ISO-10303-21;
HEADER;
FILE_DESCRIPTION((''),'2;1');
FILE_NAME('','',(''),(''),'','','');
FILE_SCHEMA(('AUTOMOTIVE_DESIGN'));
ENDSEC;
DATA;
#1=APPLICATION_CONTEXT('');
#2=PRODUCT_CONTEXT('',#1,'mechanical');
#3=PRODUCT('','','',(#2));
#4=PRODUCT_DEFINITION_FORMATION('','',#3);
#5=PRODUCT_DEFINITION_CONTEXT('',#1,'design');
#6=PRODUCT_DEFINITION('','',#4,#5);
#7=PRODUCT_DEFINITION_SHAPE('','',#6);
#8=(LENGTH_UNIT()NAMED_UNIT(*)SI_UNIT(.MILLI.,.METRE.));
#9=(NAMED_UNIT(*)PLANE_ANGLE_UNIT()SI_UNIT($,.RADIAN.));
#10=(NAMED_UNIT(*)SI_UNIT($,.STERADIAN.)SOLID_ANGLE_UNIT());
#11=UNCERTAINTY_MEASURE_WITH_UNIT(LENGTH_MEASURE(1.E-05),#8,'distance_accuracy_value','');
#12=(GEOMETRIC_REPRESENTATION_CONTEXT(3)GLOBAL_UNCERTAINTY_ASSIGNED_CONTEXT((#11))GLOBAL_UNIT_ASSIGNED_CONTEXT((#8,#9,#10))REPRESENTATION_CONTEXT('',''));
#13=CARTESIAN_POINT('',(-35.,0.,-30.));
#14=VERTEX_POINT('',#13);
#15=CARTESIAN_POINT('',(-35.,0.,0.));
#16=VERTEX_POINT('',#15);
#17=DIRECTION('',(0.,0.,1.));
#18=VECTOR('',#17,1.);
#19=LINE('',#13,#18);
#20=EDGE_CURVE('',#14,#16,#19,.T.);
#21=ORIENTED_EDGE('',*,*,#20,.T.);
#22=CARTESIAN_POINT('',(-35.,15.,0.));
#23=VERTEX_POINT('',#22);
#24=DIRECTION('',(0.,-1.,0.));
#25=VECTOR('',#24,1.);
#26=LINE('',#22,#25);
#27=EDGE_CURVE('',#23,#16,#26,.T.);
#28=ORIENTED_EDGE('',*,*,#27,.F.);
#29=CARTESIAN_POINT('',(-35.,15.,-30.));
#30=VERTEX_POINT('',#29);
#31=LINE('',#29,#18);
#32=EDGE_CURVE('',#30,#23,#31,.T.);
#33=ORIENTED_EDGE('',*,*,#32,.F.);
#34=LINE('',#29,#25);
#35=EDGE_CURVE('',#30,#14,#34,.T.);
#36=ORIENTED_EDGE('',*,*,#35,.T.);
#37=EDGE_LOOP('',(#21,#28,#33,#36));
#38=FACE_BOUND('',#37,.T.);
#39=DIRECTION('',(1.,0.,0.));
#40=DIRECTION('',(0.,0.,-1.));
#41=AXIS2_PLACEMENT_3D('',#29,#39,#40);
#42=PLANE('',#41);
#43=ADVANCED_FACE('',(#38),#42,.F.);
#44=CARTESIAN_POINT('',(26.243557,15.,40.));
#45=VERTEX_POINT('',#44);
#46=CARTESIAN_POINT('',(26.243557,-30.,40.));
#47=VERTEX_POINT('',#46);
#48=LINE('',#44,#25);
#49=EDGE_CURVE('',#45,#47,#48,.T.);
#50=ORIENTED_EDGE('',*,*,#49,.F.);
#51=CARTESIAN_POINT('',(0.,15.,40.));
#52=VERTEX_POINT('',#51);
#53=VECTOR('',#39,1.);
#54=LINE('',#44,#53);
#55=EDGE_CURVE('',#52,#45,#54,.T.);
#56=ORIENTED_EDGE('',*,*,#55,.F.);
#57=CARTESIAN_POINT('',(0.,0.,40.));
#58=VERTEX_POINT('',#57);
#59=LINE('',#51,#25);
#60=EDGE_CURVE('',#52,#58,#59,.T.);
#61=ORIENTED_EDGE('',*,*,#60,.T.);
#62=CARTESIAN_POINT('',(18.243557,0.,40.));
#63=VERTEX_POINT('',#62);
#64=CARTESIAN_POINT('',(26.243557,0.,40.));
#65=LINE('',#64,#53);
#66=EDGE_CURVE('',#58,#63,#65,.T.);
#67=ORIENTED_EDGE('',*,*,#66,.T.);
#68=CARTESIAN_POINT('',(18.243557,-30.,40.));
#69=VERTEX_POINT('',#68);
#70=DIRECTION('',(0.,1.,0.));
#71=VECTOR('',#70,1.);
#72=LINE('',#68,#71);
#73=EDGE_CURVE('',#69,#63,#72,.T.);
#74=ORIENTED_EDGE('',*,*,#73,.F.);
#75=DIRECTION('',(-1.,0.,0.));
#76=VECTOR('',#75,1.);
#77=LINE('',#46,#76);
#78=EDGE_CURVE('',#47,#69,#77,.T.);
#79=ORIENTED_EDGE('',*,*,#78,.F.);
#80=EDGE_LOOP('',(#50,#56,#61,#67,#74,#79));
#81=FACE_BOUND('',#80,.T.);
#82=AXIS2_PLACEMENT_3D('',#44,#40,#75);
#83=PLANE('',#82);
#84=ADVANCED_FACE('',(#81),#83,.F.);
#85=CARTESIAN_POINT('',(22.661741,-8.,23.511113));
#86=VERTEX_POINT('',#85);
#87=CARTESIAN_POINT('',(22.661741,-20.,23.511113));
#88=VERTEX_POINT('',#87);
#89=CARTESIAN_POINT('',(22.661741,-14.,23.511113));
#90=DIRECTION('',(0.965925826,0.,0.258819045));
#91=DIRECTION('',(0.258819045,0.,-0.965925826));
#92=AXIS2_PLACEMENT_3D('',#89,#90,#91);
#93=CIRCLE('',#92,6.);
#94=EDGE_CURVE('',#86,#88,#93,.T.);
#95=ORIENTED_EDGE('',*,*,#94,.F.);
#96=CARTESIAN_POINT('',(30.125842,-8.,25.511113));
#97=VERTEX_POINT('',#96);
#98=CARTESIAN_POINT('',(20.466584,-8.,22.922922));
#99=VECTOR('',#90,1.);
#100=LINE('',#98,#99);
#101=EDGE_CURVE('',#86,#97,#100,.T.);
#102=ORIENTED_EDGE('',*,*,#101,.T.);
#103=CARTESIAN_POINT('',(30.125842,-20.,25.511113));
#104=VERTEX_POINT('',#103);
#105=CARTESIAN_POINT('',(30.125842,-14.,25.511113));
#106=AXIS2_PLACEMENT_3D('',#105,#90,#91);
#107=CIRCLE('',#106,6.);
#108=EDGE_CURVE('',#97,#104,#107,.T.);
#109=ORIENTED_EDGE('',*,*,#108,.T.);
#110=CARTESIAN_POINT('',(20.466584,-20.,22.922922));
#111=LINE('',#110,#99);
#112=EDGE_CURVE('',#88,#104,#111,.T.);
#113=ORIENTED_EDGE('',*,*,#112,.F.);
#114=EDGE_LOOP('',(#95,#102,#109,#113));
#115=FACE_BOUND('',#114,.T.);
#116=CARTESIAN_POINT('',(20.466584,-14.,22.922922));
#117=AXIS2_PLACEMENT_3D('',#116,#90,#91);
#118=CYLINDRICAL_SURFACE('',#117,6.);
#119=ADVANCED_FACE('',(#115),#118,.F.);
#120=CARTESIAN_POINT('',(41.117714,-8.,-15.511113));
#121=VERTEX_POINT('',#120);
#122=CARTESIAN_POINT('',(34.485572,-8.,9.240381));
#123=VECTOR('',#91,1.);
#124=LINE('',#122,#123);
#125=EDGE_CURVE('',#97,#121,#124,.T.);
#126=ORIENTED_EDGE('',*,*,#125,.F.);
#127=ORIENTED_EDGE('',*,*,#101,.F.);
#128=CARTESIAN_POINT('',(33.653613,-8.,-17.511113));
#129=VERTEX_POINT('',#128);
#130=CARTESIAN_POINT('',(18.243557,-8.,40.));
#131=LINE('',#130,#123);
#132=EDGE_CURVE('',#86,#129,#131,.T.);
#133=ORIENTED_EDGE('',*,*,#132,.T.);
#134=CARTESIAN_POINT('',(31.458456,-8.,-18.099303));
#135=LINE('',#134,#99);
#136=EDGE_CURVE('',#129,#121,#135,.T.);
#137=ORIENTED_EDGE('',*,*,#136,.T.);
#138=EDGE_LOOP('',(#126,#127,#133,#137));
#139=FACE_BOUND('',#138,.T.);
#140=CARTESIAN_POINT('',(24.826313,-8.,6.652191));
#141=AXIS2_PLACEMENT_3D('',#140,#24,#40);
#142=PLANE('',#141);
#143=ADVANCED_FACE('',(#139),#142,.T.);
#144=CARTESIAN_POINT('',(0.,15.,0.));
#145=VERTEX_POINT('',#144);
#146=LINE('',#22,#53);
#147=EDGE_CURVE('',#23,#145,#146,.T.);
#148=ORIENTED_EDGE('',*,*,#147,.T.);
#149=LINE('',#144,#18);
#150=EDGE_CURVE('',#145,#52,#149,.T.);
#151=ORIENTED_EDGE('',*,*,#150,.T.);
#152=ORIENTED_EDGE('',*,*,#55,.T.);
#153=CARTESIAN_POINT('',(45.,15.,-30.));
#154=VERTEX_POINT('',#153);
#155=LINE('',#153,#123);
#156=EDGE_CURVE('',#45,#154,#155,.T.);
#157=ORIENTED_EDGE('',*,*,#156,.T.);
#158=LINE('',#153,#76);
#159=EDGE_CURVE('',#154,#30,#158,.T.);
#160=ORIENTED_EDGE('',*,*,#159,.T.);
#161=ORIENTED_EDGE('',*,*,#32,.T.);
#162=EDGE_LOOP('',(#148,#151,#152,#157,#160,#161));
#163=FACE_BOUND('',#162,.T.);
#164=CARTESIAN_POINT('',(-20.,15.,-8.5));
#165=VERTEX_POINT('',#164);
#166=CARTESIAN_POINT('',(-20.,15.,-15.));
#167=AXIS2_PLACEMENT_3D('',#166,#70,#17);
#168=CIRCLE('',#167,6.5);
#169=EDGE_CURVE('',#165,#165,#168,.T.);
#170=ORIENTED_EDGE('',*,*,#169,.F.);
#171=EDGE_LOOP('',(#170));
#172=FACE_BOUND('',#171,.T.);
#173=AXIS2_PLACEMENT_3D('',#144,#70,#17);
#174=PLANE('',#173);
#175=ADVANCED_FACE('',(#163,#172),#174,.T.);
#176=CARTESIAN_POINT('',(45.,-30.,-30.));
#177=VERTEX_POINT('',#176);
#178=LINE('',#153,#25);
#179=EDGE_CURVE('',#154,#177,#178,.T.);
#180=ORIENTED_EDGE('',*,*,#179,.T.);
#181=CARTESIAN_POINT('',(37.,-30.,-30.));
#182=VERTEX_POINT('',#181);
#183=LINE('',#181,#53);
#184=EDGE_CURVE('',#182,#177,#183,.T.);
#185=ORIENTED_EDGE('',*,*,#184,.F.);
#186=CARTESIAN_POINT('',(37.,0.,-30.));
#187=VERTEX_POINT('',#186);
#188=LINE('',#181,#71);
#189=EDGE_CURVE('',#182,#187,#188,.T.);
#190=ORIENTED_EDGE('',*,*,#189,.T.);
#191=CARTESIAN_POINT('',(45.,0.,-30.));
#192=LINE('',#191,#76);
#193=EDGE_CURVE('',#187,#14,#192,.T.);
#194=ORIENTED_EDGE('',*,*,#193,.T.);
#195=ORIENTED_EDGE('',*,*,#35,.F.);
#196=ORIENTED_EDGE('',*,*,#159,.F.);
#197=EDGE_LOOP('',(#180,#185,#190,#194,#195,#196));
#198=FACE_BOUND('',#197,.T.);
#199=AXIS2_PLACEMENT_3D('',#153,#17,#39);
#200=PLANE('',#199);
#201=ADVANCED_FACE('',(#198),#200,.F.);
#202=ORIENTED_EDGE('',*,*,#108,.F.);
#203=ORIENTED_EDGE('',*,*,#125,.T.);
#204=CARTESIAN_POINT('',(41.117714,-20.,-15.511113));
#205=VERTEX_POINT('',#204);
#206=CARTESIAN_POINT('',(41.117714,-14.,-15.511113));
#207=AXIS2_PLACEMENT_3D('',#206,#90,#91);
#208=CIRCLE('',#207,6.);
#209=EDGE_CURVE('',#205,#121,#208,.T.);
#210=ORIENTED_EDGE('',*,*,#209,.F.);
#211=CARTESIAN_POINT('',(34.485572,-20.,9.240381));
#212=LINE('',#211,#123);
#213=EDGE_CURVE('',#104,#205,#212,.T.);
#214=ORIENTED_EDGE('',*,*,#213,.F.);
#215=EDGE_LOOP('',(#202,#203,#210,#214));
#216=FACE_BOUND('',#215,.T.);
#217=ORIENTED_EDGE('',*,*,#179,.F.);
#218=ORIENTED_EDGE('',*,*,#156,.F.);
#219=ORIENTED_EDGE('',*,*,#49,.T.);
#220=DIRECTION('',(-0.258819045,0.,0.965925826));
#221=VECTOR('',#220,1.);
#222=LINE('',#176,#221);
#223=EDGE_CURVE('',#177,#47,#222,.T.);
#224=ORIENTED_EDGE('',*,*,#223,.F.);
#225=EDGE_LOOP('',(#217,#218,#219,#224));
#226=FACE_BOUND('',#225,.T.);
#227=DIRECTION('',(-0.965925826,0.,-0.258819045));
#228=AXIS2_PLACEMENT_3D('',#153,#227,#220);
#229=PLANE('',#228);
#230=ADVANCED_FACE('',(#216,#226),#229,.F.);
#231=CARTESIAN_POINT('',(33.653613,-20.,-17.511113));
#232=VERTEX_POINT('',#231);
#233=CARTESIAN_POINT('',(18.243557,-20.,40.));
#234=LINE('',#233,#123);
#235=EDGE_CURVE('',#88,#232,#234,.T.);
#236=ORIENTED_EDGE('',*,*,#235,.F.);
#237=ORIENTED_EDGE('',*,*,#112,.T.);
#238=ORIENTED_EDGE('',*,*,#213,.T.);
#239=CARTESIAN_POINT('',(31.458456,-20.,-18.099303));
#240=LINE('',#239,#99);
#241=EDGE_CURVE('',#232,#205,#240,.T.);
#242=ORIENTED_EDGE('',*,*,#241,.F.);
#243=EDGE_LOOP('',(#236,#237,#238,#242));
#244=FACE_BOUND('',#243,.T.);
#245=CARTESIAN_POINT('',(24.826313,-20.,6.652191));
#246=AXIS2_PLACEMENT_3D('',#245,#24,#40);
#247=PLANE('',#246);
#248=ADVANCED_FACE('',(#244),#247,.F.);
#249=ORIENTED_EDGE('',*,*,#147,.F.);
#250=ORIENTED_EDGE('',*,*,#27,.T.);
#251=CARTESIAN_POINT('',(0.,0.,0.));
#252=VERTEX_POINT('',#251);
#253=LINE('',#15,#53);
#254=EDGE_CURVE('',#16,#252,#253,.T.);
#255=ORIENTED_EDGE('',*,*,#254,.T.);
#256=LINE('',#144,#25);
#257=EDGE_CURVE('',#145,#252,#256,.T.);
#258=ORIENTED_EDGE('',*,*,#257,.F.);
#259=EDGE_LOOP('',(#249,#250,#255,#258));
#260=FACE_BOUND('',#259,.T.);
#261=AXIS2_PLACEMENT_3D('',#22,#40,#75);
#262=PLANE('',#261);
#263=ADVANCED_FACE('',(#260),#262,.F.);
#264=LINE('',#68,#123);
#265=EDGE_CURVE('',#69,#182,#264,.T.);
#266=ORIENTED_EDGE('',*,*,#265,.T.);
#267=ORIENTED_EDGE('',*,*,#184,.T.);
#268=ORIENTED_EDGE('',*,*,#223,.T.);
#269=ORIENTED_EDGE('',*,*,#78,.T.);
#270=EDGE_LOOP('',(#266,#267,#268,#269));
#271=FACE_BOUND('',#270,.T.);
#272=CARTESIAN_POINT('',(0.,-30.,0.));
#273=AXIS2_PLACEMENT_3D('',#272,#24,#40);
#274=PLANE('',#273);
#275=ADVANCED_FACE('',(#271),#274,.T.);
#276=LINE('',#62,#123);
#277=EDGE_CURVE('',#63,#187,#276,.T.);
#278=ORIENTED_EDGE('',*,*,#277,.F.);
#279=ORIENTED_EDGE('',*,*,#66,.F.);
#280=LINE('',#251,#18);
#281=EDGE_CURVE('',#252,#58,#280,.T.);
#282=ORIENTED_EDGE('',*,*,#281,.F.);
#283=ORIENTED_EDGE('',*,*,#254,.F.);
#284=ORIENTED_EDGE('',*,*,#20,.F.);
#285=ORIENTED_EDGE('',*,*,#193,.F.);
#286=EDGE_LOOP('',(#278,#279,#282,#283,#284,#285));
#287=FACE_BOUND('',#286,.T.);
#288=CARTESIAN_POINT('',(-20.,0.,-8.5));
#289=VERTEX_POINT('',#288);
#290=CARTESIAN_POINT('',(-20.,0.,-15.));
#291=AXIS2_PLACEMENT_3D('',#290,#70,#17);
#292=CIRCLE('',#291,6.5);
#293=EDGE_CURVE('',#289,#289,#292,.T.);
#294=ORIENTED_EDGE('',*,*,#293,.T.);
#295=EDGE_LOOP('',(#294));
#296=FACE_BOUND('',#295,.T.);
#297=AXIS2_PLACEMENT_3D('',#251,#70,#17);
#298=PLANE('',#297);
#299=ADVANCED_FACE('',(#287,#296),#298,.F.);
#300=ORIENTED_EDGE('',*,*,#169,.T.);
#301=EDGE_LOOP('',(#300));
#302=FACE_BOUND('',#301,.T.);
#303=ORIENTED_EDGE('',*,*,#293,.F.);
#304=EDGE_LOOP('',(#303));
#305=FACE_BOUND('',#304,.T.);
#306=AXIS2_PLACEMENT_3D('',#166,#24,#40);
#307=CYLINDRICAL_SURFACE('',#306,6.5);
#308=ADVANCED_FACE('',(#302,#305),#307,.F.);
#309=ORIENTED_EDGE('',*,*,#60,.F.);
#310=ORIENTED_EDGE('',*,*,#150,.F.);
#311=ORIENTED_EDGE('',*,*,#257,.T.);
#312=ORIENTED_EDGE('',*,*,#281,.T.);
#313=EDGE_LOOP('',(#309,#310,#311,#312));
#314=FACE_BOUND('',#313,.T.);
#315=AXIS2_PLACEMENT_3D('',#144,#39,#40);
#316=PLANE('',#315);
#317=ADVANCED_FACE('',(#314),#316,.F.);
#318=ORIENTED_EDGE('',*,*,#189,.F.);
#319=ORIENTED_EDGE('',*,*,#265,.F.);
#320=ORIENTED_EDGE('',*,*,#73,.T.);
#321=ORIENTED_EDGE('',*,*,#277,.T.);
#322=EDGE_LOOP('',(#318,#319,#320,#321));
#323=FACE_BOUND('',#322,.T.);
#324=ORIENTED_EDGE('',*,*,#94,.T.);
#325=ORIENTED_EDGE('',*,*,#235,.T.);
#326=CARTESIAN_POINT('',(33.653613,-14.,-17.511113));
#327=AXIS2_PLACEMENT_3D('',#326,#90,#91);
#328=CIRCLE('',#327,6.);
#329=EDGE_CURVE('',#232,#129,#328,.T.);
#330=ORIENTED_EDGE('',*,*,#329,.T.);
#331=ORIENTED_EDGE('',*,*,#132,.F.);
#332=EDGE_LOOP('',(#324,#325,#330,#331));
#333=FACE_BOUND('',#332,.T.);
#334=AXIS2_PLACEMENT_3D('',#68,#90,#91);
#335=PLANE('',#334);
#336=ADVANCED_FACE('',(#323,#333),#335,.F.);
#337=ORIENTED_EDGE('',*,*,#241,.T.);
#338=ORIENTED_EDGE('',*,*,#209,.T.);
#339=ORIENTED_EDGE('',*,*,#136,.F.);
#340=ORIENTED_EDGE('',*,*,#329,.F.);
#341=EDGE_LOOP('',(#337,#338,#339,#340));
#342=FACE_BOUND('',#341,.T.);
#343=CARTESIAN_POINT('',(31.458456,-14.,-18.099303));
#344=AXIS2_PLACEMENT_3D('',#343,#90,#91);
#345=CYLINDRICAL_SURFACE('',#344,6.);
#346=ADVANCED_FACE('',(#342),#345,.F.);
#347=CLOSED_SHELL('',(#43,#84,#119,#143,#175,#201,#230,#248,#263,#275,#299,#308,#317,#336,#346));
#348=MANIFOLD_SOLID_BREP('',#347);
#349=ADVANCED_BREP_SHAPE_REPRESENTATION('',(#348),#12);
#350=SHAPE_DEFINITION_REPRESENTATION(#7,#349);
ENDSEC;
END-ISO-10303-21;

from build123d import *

# Parameters (mm, degrees)
SKETCH1_R           = 6.5
BOSS_EXTRUDE1_DEPTH = 15
BOSS_EXTRUDE3_DEPTH = 30
CUT_EXTRUDE1_DEPTH  = 10


with BuildPart() as part:
    # Sketch1 → Boss-Extrude1 (new body)
    with BuildSketch(Plane(origin=(0, 0, 0), x_dir=(1, 0, 0), z_dir=(0, 1, 0))):
        Polygon((45, 30), (26.24355653, -40), (0, -40), (0, 0), (-35, 0), (-35, 30), align=None)
        with Locations((-20, 15)):
            Circle(SKETCH1_R, mode=Mode.SUBTRACT)
    extrude(amount=BOSS_EXTRUDE1_DEPTH)

    # Sketch5 → Boss-Extrude3 (add)
    with BuildSketch(Plane.XZ):
        Polygon((18.24355653, 40), (37, -30), (45, -30), (26.24355653, 40), align=None)
    extrude(amount=BOSS_EXTRUDE3_DEPTH)

    # Sketch7 → Cut-Extrude1 (cut)
    with BuildSketch(Plane(origin=(34.485571585, 0, 9.240381057), x_dir=(0.258819045, 0, -0.965925826), z_dir=(0.965925826, 0, 0.258819045))):
        with BuildLine():
            Line((-16.84470081, -8), (25.624631818, -8))
            ThreePointArc((25.624631818, -8), (31.624631818, -14), (25.624631818, -20))
            Line((25.624631818, -20), (-16.84470081, -20))
            ThreePointArc((-16.84470081, -20), (-22.84470081, -14), (-16.84470081, -8))
        make_face()
    extrude(amount=-CUT_EXTRUDE1_DEPTH, mode=Mode.SUBTRACT)


solid = part.part
